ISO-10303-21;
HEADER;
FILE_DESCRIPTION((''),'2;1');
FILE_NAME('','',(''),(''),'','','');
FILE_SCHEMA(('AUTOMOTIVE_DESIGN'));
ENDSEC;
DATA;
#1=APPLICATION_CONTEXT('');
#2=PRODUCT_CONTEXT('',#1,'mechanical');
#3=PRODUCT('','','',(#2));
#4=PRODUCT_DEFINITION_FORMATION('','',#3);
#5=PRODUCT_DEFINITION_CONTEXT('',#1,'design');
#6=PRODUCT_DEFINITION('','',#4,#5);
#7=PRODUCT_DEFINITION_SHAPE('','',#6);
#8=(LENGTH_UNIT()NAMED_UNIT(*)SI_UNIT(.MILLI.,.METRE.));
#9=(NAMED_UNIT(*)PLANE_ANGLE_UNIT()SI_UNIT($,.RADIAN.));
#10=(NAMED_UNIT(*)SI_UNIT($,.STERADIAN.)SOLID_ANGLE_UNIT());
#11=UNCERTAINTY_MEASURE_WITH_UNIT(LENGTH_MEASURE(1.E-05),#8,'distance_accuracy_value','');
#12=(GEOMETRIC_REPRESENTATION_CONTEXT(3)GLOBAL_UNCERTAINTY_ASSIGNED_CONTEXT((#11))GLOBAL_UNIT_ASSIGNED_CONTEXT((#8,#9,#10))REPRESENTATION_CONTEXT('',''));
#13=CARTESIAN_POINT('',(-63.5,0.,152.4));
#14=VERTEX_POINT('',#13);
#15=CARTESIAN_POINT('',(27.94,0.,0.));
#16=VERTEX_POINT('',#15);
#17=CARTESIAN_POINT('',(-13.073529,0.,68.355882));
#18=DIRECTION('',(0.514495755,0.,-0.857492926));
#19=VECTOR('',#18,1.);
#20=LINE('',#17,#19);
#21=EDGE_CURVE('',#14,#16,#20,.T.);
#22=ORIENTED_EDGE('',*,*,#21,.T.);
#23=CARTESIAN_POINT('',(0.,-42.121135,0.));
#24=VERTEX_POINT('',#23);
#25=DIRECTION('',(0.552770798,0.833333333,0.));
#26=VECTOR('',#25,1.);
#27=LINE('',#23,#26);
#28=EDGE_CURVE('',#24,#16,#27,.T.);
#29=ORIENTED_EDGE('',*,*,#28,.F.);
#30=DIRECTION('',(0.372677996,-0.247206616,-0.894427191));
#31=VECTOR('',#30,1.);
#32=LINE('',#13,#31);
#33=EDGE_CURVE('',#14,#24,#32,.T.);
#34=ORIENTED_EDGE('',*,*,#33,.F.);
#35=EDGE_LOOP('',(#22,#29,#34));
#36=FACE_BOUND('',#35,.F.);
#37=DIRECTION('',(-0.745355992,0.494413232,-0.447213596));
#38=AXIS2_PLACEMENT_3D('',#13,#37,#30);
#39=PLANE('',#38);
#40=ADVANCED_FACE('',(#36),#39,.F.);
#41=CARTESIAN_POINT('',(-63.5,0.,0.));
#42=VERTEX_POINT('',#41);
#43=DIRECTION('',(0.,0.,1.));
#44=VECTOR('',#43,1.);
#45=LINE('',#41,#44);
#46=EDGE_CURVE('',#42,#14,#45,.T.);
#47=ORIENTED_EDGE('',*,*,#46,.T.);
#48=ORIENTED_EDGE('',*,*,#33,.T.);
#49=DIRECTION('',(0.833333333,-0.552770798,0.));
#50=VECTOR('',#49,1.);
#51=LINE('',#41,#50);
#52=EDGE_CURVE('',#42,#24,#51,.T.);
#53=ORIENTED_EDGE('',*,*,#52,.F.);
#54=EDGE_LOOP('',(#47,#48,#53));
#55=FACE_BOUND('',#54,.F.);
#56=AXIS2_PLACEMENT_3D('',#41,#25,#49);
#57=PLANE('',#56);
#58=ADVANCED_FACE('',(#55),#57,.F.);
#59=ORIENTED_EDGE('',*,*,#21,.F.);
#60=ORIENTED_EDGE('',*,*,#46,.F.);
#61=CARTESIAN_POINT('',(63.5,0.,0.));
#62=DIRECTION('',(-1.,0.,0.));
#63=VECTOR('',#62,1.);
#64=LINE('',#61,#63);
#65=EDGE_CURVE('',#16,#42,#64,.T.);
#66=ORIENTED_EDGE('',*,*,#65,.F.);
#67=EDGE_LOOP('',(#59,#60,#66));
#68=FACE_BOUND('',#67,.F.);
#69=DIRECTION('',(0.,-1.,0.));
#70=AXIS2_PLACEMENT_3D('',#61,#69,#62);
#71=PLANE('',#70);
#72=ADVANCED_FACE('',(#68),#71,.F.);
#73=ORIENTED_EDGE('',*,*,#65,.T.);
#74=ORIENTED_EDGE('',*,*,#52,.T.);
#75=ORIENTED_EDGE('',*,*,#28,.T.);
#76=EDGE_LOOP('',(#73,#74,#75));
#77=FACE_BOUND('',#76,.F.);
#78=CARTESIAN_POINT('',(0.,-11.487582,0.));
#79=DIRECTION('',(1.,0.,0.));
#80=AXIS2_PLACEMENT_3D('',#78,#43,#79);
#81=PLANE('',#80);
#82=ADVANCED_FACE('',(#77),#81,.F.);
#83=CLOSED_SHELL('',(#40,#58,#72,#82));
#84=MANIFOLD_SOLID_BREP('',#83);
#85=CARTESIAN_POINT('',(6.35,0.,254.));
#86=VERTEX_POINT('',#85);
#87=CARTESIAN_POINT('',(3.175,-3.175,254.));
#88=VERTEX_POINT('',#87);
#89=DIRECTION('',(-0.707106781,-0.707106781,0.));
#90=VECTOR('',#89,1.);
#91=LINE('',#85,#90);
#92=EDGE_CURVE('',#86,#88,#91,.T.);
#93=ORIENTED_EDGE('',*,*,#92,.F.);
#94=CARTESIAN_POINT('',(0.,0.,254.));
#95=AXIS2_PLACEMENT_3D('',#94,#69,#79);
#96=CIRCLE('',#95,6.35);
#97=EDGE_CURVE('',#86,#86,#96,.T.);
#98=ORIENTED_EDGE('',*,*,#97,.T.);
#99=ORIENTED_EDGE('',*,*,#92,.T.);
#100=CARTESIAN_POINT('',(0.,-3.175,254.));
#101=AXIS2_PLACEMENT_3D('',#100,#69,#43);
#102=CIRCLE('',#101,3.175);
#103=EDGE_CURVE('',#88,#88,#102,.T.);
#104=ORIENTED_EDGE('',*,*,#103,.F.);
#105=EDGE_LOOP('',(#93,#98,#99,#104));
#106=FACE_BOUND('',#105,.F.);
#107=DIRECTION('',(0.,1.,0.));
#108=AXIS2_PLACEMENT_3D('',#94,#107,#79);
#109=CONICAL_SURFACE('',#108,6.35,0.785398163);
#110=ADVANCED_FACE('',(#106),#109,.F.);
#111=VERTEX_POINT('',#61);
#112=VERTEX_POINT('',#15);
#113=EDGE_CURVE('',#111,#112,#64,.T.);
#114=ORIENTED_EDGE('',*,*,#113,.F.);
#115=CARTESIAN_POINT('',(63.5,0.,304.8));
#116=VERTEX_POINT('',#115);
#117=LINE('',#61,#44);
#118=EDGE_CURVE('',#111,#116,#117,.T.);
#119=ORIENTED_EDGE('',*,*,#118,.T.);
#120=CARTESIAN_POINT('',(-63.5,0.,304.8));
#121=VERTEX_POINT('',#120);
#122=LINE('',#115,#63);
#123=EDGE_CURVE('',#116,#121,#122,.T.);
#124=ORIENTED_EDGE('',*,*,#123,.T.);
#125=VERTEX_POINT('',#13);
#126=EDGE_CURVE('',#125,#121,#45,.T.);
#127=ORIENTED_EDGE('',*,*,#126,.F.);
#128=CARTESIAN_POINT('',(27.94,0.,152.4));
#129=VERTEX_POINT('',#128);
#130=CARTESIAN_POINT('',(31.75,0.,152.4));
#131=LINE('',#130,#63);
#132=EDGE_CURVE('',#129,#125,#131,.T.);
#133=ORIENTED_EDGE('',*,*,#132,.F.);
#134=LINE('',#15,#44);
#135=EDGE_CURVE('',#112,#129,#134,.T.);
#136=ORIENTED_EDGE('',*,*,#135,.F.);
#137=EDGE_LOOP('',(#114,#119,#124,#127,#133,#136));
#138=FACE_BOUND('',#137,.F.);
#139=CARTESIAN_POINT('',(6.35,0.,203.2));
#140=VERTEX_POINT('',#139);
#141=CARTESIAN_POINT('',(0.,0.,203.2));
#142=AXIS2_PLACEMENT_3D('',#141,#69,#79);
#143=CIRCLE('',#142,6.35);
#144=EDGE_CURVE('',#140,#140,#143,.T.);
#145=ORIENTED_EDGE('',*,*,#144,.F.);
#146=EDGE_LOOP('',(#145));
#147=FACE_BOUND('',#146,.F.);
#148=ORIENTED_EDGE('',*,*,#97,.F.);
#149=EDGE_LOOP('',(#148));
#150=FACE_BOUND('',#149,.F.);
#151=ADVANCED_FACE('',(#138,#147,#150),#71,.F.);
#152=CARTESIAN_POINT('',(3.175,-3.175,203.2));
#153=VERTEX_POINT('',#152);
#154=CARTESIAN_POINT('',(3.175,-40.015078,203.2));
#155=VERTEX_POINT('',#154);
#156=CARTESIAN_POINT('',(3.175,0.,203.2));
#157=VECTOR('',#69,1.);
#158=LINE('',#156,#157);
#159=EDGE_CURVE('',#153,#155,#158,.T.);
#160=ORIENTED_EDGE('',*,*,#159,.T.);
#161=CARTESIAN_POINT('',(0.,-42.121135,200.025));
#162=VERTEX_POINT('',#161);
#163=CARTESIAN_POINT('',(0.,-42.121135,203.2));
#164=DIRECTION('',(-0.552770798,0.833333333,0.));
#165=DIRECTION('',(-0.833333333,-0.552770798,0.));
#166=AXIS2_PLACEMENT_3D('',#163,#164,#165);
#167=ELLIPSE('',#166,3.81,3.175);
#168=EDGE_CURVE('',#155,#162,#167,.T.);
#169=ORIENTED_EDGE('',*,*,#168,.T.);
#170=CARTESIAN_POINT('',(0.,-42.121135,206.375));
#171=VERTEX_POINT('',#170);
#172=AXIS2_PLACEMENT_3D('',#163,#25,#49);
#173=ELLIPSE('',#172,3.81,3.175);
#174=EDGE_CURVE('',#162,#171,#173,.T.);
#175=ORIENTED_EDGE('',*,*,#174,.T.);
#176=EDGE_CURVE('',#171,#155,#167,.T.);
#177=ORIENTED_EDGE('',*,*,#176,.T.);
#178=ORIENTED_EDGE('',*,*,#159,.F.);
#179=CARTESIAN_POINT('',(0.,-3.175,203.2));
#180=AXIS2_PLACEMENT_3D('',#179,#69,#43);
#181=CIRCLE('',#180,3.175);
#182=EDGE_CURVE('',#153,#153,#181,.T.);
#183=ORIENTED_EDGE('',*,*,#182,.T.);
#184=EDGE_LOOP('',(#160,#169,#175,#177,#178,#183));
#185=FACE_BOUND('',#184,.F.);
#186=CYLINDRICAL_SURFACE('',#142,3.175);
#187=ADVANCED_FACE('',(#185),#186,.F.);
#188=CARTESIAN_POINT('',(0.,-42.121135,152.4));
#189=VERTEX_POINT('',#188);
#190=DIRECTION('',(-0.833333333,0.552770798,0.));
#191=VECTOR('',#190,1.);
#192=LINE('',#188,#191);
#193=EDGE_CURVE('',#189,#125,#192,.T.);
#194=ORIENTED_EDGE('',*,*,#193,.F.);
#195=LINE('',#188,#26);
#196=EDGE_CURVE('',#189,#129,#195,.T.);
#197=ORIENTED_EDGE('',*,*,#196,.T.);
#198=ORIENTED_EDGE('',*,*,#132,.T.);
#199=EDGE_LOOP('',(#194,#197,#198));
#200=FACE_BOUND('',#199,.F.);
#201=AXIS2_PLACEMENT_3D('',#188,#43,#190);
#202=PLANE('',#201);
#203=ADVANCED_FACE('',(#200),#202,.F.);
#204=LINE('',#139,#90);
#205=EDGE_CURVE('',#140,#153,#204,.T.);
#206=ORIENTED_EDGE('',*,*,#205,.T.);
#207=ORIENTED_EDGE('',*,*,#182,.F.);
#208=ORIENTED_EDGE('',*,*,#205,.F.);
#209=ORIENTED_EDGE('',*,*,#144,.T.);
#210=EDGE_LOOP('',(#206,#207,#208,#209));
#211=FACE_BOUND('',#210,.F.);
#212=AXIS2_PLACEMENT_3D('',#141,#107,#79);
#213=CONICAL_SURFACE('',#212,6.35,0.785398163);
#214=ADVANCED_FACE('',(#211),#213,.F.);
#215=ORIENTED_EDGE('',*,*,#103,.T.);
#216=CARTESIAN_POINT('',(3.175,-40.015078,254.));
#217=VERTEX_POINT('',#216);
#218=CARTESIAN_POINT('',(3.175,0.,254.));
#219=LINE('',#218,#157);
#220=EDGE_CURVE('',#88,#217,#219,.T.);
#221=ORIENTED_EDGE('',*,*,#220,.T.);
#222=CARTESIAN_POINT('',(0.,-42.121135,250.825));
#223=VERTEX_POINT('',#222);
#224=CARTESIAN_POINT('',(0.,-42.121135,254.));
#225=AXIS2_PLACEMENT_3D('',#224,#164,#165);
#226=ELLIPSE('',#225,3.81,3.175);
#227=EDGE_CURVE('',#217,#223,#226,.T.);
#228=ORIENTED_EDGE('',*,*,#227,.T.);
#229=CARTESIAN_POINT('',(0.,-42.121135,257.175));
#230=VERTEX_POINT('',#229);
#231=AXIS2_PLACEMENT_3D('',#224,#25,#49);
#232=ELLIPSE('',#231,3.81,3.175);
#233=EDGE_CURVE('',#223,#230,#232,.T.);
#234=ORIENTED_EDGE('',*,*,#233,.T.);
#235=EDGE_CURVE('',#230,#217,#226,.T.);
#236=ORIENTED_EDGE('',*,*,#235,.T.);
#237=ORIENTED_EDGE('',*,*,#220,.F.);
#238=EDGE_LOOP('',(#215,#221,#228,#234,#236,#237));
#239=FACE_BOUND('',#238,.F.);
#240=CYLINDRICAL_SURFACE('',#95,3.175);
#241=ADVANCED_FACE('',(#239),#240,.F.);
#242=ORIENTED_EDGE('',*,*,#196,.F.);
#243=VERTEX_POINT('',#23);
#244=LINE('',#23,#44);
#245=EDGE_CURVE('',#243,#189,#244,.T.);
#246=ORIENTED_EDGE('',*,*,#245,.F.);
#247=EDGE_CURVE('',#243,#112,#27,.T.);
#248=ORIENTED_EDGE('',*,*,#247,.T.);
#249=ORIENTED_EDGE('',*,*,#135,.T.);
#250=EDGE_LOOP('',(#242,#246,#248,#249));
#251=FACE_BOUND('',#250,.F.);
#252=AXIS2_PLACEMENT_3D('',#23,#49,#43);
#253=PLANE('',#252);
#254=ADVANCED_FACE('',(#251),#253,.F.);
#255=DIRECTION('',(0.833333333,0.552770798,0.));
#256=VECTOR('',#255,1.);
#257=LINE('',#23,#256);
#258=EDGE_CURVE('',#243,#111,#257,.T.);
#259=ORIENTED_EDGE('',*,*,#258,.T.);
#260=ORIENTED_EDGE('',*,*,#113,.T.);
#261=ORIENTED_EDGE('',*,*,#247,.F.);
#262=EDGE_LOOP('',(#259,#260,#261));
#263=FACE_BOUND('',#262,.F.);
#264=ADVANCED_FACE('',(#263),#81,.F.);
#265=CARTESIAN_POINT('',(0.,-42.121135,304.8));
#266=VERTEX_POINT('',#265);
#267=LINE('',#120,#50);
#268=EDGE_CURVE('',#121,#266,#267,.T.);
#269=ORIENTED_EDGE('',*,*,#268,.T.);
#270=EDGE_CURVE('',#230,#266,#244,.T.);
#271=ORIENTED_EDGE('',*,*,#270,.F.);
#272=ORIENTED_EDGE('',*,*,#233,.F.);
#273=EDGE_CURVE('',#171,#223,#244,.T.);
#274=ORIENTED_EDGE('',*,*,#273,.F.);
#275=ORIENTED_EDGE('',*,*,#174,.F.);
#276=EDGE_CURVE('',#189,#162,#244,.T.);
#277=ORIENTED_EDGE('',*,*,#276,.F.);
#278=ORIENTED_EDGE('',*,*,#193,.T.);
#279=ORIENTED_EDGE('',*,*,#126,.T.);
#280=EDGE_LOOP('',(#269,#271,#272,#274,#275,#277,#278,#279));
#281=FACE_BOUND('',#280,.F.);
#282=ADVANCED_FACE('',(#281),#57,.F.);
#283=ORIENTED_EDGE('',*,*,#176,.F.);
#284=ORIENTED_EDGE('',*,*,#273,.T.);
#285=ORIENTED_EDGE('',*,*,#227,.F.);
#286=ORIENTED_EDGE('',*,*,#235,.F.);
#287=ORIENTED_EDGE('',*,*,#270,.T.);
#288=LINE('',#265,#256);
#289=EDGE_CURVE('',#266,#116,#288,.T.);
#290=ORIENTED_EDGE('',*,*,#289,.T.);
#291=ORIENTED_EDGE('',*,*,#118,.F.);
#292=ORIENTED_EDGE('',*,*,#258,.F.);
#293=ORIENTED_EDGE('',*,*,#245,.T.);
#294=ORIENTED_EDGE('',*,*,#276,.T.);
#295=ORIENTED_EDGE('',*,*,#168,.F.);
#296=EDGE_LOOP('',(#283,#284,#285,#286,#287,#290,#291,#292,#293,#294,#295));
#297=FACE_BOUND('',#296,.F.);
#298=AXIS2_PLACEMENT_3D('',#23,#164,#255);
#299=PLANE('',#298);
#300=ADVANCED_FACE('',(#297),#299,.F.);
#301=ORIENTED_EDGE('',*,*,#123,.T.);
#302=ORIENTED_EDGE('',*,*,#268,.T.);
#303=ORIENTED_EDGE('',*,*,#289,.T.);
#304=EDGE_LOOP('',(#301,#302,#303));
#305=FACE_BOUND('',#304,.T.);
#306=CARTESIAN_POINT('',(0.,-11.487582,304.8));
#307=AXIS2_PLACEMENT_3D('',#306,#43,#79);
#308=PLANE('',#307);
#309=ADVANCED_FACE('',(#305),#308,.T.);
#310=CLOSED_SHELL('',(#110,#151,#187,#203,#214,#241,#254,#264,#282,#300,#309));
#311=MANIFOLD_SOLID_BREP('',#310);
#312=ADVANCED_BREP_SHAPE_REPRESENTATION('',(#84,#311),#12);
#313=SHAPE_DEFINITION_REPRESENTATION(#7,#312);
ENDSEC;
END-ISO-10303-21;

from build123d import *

# Parameters (mm, degrees)
F1_DEPTH       = 304.8
F3_DEPTH       = 50.8
F5_D           = 6.35
F5_CSINK_D     = 12.7
F5_CSINK_ANGLE = 90


with BuildPart() as f1:
    # F0 (on Top) → F1 (new body)
    with BuildSketch(Plane.XY):
        Polygon((63.5, 0), (-63.5, 0), (0, -42.1211348375), align=None)
    extrude(amount=F1_DEPTH)

    # F2 (on face) → F3 (cut)
    with BuildSketch(Plane(origin=(-19.4027777778, -29.2507880816, 0), x_dir=(0.8333333333, -0.5527707984, 0), z_dir=(-0.5527707984, -0.8333333333, 0))):
        Polygon((-52.9166666667, 152.4), (23.2833333333, 0), (23.2833333333, 152.4), align=None)
    extrude(amount=-F3_DEPTH, mode=Mode.SUBTRACT)

    # F5 (through all)
    with Locations(Plane(origin=(0, 0, 0), x_dir=(-1, 0, 0), z_dir=(0, 1, 0))):
        with Locations((0, 203.2), (0, 254)):
            CounterSinkHole(F5_D / 2, F5_CSINK_D / 2, counter_sink_angle=F5_CSINK_ANGLE)


solid = f1.part
